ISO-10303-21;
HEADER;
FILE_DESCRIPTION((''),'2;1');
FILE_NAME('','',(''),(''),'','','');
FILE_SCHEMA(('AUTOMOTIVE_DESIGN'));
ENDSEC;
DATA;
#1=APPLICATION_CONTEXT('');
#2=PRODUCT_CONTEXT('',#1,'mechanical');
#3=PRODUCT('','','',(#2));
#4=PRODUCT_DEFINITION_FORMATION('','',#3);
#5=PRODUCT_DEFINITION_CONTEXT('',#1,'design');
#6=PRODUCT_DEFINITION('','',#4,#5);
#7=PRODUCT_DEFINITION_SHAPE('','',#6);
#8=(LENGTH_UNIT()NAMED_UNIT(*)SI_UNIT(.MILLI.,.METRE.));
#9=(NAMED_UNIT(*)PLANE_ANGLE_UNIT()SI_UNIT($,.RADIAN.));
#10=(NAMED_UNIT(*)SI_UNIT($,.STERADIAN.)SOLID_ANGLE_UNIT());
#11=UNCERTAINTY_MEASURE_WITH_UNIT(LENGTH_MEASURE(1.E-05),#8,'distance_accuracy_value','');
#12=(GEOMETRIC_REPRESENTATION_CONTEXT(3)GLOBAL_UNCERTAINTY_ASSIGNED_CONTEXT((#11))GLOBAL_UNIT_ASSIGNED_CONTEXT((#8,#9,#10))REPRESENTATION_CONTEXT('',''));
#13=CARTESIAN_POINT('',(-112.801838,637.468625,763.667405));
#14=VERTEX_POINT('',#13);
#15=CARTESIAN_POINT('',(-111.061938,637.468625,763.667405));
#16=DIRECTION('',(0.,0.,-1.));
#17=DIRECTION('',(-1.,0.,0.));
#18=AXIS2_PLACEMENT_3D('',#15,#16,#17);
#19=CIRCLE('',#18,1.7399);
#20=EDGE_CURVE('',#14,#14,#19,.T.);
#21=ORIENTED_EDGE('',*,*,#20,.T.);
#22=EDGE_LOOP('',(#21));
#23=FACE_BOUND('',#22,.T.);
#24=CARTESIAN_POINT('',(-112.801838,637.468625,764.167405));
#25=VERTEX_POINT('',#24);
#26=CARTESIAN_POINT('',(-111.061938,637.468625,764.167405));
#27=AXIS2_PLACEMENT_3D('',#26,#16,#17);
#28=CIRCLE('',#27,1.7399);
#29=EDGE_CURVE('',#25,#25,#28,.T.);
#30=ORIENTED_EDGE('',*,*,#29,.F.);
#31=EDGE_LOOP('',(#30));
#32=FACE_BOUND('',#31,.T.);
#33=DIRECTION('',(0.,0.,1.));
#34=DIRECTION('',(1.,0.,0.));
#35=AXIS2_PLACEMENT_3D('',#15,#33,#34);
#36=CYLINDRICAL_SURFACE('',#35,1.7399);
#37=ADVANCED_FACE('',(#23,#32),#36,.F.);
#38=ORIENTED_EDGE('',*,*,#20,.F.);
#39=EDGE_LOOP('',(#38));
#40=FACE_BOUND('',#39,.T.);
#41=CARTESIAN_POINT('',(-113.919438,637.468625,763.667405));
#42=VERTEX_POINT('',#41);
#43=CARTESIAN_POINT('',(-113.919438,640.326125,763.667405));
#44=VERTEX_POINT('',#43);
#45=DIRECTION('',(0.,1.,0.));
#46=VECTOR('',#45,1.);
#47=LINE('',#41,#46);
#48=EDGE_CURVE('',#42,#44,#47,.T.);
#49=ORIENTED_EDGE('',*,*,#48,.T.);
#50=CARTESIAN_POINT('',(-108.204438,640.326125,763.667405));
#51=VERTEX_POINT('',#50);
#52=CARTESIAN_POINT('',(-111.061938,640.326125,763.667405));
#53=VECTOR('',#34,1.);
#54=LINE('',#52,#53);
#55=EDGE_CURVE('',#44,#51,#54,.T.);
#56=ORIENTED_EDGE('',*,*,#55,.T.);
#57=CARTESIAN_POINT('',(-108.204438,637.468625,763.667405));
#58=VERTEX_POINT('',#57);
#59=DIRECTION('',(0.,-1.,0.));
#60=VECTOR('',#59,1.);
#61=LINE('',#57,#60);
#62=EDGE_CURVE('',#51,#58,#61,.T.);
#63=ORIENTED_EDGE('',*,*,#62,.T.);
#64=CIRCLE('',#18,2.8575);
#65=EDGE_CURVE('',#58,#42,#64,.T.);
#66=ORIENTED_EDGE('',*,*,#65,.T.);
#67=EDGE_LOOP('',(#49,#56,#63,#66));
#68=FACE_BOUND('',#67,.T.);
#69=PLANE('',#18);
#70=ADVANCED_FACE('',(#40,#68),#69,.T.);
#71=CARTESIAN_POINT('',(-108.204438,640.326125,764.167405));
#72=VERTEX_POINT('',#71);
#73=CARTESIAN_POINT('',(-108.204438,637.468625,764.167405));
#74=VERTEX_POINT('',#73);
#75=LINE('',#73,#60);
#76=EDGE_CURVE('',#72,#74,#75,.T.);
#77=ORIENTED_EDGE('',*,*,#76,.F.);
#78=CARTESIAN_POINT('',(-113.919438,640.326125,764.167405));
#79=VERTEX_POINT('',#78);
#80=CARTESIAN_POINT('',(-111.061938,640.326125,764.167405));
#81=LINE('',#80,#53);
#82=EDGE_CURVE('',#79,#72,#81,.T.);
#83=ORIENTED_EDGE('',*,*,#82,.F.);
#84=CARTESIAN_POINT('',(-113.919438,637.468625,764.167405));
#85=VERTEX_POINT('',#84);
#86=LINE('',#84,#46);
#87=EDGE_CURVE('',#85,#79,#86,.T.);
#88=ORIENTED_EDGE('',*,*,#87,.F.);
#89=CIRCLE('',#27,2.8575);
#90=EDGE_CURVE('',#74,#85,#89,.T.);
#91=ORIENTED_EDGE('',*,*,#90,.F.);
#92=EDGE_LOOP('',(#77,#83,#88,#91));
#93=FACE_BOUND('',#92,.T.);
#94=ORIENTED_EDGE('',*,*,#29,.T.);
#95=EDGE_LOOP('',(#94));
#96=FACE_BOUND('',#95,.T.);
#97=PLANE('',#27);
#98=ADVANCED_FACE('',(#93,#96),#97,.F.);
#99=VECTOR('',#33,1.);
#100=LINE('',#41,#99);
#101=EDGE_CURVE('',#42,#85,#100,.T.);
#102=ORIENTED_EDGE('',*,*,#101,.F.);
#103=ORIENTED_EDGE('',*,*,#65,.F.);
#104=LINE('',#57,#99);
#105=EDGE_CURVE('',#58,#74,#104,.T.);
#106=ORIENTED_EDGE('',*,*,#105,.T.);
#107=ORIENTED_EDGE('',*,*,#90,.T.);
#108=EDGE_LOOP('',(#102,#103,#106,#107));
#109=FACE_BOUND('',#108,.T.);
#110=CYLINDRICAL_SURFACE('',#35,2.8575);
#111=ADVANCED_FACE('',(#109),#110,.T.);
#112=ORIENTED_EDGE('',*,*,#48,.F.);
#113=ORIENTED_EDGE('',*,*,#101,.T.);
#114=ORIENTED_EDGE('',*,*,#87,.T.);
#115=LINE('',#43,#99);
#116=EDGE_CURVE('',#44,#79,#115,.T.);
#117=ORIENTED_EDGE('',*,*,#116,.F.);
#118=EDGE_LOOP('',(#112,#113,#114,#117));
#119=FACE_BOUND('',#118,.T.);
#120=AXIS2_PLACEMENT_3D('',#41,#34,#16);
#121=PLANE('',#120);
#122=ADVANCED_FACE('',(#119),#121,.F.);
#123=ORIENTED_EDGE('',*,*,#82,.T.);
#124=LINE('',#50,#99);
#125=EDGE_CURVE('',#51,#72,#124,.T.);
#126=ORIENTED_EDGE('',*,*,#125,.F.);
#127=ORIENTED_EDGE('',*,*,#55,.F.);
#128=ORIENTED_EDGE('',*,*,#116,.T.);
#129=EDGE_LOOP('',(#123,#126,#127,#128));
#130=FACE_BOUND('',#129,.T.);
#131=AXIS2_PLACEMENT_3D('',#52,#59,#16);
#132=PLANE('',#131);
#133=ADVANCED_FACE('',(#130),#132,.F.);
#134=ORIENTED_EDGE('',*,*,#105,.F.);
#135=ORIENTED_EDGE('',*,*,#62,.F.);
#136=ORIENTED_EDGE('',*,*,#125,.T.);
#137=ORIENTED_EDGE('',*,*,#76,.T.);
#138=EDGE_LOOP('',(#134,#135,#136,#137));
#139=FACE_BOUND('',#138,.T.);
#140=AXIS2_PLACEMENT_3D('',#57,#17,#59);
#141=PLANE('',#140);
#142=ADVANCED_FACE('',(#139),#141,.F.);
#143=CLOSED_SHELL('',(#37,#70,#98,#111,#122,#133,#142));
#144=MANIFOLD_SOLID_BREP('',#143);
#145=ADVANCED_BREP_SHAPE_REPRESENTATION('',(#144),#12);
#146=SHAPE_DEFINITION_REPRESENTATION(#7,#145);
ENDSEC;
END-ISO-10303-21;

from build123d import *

# Parameters (mm, degrees)
SKETCH1_R           = 1.7399
BOSS_EXTRUDE1_DEPTH = 0.5


with BuildPart() as part:
    # Sketch1 → Boss-Extrude1 (new body)
    with BuildSketch(Plane(origin=(0, 0, 764.167404568), x_dir=(-1, 0, 0), z_dir=(0, 0, -1))):
        with BuildLine():
            Line((108.204437713, 637.468625119), (108.204437713, 640.326125119))
            Line((108.204437713, 640.326125119), (111.061937713, 640.326125119))
            Line((111.061937713, 640.326125119), (113.919437713, 640.326125119))
            Line((113.919437713, 640.326125119), (113.919437713, 637.468625119))
            ThreePointArc((113.919437713, 637.468625119), (111.061937713, 634.611125119), (108.204437713, 637.468625119))
        make_face()
        with Locations((111.061937713, 637.468625119)):
            Circle(SKETCH1_R, mode=Mode.SUBTRACT)
    extrude(amount=BOSS_EXTRUDE1_DEPTH)


solid = part.part
